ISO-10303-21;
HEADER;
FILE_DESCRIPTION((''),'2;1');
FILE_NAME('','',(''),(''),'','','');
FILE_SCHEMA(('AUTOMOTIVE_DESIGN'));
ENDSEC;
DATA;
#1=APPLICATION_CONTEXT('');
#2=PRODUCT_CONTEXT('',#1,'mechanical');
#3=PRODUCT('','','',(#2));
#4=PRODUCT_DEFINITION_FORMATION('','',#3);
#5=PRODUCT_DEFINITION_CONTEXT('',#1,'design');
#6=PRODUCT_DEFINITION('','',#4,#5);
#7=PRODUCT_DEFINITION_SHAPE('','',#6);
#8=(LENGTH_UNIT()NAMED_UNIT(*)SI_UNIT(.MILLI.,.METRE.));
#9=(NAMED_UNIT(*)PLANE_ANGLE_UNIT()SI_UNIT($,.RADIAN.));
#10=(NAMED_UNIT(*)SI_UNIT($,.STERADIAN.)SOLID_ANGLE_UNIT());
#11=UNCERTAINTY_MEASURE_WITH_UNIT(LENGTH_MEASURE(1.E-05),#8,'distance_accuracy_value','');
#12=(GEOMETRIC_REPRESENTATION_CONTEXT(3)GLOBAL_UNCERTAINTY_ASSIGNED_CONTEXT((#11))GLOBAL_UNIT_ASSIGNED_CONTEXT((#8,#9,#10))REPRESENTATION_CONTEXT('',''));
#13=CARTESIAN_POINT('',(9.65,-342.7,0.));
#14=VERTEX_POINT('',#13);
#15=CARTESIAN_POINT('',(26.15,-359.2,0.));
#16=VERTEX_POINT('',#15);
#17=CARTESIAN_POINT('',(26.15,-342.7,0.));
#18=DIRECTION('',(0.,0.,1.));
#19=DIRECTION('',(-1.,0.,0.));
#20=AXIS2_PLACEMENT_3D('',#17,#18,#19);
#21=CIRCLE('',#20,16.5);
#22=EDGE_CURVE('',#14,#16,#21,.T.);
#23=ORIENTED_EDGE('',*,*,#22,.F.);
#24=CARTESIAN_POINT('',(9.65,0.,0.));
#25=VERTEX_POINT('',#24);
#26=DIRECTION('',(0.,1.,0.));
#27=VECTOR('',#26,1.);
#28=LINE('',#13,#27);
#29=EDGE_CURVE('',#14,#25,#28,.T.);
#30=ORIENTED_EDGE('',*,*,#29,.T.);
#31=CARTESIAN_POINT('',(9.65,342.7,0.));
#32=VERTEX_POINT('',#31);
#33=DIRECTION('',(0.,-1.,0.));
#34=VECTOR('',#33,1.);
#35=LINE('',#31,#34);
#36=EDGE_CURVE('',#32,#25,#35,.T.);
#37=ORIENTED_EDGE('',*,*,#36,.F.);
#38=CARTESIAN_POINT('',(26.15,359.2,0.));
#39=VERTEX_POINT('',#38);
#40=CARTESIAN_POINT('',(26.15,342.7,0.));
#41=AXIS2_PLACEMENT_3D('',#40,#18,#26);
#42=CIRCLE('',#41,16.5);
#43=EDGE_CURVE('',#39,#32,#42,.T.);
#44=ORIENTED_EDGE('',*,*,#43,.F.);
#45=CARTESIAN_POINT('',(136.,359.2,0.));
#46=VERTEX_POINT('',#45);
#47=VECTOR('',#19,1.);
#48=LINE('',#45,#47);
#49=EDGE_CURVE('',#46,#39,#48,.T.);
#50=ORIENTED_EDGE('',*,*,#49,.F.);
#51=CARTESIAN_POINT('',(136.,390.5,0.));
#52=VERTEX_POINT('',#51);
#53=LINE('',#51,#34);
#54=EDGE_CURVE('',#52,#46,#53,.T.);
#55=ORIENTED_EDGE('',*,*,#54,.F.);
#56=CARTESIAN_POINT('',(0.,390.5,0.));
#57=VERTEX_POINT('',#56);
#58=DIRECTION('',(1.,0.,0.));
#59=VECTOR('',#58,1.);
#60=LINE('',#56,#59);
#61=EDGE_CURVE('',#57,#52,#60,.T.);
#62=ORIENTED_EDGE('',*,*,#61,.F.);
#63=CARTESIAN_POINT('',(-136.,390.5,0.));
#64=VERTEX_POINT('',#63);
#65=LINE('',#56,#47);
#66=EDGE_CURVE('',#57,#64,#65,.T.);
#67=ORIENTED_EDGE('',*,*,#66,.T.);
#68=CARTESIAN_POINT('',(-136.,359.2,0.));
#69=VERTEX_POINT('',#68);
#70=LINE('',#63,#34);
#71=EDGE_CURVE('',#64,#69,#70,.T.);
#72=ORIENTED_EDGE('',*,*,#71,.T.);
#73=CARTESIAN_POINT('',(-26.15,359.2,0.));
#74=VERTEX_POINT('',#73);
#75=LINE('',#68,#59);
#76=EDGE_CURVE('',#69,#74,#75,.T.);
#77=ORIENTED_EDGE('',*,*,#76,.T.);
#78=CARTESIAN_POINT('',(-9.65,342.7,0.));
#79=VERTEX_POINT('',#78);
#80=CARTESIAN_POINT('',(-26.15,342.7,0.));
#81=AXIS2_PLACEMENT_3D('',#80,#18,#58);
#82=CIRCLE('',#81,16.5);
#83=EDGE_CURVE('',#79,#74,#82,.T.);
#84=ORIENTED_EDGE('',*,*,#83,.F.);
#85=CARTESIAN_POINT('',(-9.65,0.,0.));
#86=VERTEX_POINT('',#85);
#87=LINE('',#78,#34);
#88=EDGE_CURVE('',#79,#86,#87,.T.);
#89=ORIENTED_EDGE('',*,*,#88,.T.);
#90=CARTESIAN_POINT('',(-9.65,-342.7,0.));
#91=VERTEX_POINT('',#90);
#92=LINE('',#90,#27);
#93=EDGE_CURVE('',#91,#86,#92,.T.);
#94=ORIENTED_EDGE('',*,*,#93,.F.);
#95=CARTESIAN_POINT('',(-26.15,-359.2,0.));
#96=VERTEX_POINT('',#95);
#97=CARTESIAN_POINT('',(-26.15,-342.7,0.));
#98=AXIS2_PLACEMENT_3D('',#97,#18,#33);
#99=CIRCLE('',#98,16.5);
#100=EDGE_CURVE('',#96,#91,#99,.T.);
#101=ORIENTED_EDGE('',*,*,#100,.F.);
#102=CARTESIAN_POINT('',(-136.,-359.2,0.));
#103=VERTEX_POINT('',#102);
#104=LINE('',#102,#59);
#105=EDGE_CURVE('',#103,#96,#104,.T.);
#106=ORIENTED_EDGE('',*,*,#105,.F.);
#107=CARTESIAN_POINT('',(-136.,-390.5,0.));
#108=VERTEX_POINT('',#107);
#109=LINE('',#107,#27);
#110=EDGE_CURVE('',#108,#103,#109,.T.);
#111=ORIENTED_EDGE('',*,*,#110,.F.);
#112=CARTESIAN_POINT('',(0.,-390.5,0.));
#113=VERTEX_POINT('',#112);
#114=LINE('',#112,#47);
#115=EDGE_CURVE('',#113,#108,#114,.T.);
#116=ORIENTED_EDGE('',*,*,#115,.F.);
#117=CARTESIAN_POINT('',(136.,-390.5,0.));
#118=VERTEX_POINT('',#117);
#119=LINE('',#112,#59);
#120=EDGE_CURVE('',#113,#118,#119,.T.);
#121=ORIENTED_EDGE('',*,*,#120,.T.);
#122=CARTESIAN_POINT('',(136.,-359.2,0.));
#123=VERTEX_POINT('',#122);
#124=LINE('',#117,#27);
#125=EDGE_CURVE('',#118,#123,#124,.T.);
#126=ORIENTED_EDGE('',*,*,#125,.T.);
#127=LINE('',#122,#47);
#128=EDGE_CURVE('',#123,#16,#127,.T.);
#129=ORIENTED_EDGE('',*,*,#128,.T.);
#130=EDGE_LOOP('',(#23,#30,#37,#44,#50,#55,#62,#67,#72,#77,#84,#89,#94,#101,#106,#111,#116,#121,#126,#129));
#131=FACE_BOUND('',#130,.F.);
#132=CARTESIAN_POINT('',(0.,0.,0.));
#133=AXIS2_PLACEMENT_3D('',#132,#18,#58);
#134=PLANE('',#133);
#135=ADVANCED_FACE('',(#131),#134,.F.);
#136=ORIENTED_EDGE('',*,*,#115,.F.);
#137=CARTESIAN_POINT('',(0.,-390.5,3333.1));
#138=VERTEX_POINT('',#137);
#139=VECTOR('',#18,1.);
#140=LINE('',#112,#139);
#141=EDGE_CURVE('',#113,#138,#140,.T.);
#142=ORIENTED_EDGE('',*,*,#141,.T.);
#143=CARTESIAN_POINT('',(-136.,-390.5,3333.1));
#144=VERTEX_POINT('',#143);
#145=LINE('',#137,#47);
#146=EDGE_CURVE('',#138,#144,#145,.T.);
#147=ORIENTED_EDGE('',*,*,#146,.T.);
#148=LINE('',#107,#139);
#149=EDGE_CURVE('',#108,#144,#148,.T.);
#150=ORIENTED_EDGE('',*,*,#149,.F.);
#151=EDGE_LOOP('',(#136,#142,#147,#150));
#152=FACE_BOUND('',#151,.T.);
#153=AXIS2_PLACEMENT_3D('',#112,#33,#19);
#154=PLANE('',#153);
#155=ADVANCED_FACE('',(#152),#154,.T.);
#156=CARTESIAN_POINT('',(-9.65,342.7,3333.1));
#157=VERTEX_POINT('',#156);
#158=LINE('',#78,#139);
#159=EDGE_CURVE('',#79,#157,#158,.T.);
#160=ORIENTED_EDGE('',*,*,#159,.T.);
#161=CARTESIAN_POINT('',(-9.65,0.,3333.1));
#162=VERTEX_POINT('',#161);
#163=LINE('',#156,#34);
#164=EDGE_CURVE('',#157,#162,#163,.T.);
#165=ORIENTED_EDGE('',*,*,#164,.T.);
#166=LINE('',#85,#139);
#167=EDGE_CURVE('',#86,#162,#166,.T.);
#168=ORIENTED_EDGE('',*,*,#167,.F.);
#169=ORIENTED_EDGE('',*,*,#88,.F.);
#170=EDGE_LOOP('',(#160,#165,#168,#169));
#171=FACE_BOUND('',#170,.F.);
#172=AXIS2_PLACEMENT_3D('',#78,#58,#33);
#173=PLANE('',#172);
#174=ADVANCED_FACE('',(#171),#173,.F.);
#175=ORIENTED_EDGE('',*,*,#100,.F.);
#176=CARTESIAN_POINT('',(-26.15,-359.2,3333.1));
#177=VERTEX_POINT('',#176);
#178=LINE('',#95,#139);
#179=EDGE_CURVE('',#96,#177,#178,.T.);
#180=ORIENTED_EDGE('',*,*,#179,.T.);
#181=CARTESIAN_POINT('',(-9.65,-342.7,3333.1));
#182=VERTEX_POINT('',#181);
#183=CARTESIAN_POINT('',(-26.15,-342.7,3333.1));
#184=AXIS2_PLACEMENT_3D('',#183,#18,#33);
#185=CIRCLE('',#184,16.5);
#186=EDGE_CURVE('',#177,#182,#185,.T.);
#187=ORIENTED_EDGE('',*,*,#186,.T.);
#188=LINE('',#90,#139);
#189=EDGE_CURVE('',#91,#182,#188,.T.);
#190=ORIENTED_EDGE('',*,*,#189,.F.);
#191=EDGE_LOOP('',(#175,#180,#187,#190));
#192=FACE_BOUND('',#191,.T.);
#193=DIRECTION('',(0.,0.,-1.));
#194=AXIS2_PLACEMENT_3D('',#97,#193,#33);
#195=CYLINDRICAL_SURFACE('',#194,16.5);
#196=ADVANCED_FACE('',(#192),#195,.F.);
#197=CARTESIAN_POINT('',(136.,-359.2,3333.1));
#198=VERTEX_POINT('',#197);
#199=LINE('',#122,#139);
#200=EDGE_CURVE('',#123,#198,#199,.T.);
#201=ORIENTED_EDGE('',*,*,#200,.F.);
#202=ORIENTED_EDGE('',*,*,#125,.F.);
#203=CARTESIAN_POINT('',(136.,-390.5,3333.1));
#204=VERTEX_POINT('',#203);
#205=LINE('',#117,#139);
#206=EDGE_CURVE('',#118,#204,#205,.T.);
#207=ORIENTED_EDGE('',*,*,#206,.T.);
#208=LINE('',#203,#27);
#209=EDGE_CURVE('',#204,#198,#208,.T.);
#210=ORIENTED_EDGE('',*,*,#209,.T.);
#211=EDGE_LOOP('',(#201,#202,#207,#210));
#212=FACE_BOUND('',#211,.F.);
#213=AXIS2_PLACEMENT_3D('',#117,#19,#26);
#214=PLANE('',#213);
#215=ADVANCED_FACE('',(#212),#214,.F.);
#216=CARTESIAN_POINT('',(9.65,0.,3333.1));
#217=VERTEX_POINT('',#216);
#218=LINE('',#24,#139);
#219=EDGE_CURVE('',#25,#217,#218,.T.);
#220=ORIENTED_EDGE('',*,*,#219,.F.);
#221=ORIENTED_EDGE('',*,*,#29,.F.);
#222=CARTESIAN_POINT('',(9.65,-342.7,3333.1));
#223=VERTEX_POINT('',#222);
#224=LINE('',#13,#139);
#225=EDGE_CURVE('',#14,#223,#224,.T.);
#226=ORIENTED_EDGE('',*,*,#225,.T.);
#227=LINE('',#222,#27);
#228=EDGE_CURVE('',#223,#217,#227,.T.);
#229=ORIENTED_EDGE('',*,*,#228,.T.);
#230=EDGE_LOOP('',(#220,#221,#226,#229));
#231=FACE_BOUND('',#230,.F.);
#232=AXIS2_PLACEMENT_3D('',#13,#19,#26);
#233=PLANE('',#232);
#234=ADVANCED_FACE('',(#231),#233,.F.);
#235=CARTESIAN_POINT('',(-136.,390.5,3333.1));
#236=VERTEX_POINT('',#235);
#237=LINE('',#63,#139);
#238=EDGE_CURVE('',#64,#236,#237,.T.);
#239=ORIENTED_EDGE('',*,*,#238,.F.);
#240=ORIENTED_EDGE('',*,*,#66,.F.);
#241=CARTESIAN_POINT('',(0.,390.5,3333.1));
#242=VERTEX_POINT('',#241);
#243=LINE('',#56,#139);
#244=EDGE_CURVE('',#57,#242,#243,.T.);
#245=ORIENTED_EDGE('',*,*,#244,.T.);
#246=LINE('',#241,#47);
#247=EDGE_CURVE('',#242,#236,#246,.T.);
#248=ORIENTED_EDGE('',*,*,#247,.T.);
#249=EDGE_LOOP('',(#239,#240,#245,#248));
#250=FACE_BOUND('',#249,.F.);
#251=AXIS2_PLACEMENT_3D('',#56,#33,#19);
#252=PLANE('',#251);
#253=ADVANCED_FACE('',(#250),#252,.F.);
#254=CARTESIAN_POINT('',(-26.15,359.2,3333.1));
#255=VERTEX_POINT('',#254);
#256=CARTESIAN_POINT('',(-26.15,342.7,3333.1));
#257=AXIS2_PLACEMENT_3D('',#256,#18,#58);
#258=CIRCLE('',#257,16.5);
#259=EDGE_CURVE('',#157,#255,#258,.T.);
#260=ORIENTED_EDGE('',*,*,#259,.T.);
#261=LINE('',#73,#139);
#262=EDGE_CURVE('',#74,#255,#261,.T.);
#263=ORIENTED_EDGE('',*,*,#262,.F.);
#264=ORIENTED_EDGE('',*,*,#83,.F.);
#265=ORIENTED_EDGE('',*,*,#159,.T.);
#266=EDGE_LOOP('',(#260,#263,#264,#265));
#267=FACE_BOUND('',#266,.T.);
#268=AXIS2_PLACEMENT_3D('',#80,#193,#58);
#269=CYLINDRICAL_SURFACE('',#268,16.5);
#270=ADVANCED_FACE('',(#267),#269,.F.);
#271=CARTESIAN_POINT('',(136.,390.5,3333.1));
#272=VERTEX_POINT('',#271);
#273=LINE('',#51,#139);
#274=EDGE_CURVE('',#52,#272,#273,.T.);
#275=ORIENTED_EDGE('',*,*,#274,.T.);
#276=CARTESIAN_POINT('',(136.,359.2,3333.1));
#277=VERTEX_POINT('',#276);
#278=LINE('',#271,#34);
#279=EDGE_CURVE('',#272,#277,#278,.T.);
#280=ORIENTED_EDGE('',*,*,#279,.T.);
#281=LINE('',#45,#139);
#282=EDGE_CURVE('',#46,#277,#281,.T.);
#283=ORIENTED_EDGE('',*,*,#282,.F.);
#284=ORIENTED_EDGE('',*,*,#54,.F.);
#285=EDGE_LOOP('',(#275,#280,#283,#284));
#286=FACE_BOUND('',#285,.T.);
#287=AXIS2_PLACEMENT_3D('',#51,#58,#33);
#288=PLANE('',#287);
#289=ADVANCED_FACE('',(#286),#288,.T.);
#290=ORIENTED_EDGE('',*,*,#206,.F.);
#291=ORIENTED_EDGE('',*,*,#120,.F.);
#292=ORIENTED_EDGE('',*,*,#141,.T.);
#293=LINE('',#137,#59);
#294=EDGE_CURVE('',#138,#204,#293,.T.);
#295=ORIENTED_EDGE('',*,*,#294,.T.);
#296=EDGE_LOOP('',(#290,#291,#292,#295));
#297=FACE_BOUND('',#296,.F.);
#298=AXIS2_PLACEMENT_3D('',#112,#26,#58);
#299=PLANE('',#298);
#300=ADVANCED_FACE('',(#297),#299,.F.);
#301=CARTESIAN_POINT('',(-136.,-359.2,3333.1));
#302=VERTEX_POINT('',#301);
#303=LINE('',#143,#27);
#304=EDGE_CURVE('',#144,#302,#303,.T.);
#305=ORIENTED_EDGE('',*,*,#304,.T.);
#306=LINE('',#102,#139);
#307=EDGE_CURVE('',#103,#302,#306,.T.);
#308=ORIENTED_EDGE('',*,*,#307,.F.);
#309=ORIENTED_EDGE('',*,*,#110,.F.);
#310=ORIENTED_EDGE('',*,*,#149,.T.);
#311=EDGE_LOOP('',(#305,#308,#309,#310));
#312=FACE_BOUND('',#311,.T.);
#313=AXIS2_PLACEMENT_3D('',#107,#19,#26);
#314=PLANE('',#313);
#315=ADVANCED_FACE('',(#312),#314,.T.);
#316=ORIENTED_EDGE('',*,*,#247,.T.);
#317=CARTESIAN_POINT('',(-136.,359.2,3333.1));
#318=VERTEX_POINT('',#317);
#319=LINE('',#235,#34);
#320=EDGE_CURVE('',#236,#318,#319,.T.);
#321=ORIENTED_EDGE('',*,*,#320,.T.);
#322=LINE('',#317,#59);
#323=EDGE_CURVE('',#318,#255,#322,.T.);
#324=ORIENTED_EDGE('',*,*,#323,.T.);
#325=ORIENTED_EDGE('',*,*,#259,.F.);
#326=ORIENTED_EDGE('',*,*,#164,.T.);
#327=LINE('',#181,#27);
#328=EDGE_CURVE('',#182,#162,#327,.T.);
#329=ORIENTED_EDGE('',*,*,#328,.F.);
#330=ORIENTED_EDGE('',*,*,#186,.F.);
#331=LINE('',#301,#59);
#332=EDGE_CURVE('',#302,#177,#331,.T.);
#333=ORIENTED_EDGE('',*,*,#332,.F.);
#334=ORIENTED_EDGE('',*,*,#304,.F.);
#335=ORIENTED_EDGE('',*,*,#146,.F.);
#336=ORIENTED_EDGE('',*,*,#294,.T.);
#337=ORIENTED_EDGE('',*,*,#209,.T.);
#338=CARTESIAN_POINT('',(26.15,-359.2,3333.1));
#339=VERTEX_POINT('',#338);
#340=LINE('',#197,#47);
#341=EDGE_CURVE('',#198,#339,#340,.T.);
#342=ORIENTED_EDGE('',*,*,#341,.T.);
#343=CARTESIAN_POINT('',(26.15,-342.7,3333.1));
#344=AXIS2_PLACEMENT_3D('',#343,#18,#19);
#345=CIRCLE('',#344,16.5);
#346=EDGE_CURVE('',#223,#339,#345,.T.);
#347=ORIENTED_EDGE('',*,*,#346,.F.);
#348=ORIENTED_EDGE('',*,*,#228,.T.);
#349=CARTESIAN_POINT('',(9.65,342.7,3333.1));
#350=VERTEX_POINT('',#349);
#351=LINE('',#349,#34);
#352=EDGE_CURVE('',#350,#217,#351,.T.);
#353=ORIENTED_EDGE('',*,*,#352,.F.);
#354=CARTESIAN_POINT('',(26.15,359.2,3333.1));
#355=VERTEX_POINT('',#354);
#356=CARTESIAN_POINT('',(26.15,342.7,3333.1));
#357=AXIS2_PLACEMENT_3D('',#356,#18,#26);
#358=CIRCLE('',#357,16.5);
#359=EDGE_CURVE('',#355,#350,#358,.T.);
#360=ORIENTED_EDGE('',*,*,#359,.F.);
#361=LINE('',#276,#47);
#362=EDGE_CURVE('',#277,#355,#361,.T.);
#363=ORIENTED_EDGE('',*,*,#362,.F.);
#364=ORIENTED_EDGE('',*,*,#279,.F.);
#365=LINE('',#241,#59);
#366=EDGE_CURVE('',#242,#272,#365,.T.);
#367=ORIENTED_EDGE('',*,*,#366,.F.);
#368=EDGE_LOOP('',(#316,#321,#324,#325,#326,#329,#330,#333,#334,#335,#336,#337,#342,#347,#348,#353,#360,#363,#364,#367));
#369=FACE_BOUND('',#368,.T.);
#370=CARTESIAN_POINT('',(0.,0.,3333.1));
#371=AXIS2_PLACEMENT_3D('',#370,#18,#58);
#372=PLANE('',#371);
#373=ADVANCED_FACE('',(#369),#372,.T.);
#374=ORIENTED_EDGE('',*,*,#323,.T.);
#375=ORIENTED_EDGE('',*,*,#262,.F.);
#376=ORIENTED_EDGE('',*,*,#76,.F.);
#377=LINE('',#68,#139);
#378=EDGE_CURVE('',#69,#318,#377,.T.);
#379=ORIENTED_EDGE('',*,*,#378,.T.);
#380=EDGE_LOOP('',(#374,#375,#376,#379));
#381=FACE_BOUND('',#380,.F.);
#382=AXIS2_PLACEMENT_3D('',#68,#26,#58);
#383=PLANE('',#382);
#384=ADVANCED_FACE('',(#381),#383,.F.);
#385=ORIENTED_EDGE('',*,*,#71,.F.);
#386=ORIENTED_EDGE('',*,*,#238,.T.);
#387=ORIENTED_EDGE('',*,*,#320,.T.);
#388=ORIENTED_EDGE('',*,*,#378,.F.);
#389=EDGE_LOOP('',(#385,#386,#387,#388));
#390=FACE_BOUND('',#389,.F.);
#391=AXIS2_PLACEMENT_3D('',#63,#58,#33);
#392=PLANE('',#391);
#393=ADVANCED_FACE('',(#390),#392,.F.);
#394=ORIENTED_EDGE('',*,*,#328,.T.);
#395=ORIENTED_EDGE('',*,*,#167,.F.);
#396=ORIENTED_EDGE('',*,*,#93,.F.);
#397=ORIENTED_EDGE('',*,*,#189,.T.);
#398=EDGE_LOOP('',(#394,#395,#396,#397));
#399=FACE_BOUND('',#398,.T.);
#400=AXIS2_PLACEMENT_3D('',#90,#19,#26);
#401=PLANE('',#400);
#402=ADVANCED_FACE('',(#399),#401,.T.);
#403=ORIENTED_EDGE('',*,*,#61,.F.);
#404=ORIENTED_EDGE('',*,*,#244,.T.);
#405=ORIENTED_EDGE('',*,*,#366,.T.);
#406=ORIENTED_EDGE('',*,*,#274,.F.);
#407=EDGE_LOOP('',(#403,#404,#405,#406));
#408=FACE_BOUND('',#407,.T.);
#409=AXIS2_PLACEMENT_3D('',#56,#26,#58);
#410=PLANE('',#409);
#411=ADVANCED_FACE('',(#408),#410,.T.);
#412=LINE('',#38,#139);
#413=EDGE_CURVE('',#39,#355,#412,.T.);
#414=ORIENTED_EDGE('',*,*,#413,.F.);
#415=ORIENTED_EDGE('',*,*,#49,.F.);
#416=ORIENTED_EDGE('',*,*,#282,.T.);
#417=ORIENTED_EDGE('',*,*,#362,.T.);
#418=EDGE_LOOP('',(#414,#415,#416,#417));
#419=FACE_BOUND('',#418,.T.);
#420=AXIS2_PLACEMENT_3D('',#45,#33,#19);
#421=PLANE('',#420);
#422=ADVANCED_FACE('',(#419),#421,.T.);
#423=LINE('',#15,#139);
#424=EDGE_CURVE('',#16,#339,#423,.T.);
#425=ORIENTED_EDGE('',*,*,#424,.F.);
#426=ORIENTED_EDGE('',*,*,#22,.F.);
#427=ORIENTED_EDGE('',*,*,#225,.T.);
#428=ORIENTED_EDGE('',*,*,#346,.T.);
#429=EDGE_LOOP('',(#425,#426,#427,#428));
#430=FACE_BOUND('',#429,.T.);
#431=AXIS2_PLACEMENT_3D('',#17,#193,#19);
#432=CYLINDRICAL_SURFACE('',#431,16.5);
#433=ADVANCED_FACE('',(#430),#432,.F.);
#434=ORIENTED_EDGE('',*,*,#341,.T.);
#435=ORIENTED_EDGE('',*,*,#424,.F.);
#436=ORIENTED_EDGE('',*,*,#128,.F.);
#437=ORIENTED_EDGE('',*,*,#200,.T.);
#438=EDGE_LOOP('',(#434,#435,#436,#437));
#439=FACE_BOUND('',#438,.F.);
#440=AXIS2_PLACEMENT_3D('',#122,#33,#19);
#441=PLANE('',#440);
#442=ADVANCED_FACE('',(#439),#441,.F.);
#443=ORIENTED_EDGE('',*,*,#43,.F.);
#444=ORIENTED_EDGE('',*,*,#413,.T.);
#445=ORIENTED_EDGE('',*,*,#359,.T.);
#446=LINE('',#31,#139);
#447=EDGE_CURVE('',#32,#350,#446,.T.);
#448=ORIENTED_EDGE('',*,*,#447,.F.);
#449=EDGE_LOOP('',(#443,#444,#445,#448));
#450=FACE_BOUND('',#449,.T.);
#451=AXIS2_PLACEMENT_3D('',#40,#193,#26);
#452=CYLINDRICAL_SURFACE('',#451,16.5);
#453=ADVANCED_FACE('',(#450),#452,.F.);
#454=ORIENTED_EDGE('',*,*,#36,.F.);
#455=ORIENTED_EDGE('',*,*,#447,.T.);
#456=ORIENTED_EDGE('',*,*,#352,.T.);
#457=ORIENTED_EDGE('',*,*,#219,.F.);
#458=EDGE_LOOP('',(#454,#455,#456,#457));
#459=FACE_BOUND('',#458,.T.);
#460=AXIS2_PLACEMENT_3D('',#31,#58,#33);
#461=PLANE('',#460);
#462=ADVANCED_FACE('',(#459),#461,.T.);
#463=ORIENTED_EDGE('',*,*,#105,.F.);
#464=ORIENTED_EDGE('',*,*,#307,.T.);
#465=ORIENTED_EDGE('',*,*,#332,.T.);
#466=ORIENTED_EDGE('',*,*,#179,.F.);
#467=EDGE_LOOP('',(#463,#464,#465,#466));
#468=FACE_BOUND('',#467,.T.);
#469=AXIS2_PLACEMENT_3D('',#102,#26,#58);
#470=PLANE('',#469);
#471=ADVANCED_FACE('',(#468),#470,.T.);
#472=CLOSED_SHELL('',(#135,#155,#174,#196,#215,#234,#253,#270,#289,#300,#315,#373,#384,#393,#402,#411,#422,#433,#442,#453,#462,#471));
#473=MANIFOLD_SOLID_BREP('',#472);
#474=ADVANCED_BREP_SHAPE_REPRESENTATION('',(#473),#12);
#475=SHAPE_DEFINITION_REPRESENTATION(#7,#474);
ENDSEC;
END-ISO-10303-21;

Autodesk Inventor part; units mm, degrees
ref_plane "YZ Plane" through (0, 0, 0) normal (1, 0, 0) x (0, 1, 0)
ref_plane "Start plane" through (0, 0, 0) normal (0, 0, 1) x (1, 0, 0)
ref_plane "End plane" through (0, 0, 3333.1) normal (0, 0, 1) x (1, 0, 0)
sketch "Sketch" plane through (0, 0, 0) normal (0, 0, 1) x (1, 0, 0)
  line L0 (-136, -390.5) -> (-136, -359.2)
  line L1 (-136, -359.2) -> (-26.15, -359.2)
  line L2 (-9.65, -342.7) -> (-9.65, 0)
  line L3 (-9.65, 0) -> (0, 0) construction
  line L4 (0, 0) -> (0, -390.5) construction
  line L5 (0, -390.5) -> (-136, -390.5)
  line L6 (-60, 0) -> (80, 0) construction
  line L7 (0, -60) -> (0, 80) construction
  line L8 (136, -390.5) -> (136, -359.2)
  line L9 (136, -359.2) -> (26.15, -359.2)
  line L10 (9.65, -342.7) -> (9.65, 0)
  line L11 (9.65, 0) -> (0, 0) construction
  line L12 (0, -390.5) -> (136, -390.5)
  line L13 (-136, 390.5) -> (-136, 359.2)
  line L14 (-136, 359.2) -> (-26.15, 359.2)
  line L15 (-9.65, 342.7) -> (-9.65, 0)
  line L16 (0, 390.5) -> (-136, 390.5)
  line L17 (136, 390.5) -> (136, 359.2)
  line L18 (136, 359.2) -> (26.15, 359.2)
  line L19 (0, 390.5) -> (136, 390.5)
  line L20 (9.65, 342.7) -> (9.65, 0)
  arc A0 (-9.65, 342.7) -> (-26.15, 359.2) centre (-26.15, 342.7) ccw
  arc A1 (26.15, 359.2) -> (9.65, 342.7) centre (26.15, 342.7) ccw
  arc A2 (9.65, -342.7) -> (26.15, -359.2) centre (26.15, -342.7) ccw
  arc A3 (-26.15, -359.2) -> (-9.65, -342.7) centre (-26.15, -342.7) ccw
  line L21 (0, 108) -> (0, -88) construction
  line L22 (-88, 0) -> (108, 0) construction
  point P0 (-9.65, -359.2)
  point P1 (9.65, -359.2)
  point P2 (-9.65, 359.2)
  point P3 (9.65, 359.2)
  dimension "d1" = 390.5
  dimension "d2" = 31.3
  dimension "d3" = 136
  dimension "d4" = 9.65
  dimension "d10" = 16.5
extrude "Body" add sketch "Sketch" along normal up to surface (3333.1 mm away) from surface at 0
sketch "Sketch4" plane through (0, 0, 0) normal (0, 0, 1) x (1, 0, 0)
  line L0 (0, 0) -> (10, 0)
ref_plane "Work Plane3" through (0, 0, 0) normal (0, -1, 0) x (1, 0, 0)
sketch "Sketch5" plane through (0, 0, 0) normal (0, -1, 0) x (1, 0, 0)
  line L0 (-2, 0) -> (12, 0) projected
  line L1 (-2, 3333.1) -> (12, 3333.1) projected
  dimension "d14" = 3333.1
equation "\"d1\" = 0.5 * G_H"
equation "\"d2\" = G_T1"
equation "\"d3\" = 0.5 * G_W"
equation "\"d4\" = 0.5 * G_T"
equation "\"d10\" = G_IR"
equation "\"d5\" = G_L"
equation "\"G_W\" = 272"
equation "\"G_H\" = 781"
equation "\"G_T\" = 19.3"
equation "\"G_T1\" = 31.3"
equation "\"G_IR\" = 16.5"
equation "\"G_L\" = d14"
equation "\"G_OFFSET_START\" = 0"
equation "\"G_OFFSET_END\" = 0"
equation "\"d12\" = G_OFFSET_END + B_L"
equation "\"B_L\" = 3333.1"
properties part number "AS 3679-1990 - 760 UB - 244 - 3333.1" material "Steel, Mild"
